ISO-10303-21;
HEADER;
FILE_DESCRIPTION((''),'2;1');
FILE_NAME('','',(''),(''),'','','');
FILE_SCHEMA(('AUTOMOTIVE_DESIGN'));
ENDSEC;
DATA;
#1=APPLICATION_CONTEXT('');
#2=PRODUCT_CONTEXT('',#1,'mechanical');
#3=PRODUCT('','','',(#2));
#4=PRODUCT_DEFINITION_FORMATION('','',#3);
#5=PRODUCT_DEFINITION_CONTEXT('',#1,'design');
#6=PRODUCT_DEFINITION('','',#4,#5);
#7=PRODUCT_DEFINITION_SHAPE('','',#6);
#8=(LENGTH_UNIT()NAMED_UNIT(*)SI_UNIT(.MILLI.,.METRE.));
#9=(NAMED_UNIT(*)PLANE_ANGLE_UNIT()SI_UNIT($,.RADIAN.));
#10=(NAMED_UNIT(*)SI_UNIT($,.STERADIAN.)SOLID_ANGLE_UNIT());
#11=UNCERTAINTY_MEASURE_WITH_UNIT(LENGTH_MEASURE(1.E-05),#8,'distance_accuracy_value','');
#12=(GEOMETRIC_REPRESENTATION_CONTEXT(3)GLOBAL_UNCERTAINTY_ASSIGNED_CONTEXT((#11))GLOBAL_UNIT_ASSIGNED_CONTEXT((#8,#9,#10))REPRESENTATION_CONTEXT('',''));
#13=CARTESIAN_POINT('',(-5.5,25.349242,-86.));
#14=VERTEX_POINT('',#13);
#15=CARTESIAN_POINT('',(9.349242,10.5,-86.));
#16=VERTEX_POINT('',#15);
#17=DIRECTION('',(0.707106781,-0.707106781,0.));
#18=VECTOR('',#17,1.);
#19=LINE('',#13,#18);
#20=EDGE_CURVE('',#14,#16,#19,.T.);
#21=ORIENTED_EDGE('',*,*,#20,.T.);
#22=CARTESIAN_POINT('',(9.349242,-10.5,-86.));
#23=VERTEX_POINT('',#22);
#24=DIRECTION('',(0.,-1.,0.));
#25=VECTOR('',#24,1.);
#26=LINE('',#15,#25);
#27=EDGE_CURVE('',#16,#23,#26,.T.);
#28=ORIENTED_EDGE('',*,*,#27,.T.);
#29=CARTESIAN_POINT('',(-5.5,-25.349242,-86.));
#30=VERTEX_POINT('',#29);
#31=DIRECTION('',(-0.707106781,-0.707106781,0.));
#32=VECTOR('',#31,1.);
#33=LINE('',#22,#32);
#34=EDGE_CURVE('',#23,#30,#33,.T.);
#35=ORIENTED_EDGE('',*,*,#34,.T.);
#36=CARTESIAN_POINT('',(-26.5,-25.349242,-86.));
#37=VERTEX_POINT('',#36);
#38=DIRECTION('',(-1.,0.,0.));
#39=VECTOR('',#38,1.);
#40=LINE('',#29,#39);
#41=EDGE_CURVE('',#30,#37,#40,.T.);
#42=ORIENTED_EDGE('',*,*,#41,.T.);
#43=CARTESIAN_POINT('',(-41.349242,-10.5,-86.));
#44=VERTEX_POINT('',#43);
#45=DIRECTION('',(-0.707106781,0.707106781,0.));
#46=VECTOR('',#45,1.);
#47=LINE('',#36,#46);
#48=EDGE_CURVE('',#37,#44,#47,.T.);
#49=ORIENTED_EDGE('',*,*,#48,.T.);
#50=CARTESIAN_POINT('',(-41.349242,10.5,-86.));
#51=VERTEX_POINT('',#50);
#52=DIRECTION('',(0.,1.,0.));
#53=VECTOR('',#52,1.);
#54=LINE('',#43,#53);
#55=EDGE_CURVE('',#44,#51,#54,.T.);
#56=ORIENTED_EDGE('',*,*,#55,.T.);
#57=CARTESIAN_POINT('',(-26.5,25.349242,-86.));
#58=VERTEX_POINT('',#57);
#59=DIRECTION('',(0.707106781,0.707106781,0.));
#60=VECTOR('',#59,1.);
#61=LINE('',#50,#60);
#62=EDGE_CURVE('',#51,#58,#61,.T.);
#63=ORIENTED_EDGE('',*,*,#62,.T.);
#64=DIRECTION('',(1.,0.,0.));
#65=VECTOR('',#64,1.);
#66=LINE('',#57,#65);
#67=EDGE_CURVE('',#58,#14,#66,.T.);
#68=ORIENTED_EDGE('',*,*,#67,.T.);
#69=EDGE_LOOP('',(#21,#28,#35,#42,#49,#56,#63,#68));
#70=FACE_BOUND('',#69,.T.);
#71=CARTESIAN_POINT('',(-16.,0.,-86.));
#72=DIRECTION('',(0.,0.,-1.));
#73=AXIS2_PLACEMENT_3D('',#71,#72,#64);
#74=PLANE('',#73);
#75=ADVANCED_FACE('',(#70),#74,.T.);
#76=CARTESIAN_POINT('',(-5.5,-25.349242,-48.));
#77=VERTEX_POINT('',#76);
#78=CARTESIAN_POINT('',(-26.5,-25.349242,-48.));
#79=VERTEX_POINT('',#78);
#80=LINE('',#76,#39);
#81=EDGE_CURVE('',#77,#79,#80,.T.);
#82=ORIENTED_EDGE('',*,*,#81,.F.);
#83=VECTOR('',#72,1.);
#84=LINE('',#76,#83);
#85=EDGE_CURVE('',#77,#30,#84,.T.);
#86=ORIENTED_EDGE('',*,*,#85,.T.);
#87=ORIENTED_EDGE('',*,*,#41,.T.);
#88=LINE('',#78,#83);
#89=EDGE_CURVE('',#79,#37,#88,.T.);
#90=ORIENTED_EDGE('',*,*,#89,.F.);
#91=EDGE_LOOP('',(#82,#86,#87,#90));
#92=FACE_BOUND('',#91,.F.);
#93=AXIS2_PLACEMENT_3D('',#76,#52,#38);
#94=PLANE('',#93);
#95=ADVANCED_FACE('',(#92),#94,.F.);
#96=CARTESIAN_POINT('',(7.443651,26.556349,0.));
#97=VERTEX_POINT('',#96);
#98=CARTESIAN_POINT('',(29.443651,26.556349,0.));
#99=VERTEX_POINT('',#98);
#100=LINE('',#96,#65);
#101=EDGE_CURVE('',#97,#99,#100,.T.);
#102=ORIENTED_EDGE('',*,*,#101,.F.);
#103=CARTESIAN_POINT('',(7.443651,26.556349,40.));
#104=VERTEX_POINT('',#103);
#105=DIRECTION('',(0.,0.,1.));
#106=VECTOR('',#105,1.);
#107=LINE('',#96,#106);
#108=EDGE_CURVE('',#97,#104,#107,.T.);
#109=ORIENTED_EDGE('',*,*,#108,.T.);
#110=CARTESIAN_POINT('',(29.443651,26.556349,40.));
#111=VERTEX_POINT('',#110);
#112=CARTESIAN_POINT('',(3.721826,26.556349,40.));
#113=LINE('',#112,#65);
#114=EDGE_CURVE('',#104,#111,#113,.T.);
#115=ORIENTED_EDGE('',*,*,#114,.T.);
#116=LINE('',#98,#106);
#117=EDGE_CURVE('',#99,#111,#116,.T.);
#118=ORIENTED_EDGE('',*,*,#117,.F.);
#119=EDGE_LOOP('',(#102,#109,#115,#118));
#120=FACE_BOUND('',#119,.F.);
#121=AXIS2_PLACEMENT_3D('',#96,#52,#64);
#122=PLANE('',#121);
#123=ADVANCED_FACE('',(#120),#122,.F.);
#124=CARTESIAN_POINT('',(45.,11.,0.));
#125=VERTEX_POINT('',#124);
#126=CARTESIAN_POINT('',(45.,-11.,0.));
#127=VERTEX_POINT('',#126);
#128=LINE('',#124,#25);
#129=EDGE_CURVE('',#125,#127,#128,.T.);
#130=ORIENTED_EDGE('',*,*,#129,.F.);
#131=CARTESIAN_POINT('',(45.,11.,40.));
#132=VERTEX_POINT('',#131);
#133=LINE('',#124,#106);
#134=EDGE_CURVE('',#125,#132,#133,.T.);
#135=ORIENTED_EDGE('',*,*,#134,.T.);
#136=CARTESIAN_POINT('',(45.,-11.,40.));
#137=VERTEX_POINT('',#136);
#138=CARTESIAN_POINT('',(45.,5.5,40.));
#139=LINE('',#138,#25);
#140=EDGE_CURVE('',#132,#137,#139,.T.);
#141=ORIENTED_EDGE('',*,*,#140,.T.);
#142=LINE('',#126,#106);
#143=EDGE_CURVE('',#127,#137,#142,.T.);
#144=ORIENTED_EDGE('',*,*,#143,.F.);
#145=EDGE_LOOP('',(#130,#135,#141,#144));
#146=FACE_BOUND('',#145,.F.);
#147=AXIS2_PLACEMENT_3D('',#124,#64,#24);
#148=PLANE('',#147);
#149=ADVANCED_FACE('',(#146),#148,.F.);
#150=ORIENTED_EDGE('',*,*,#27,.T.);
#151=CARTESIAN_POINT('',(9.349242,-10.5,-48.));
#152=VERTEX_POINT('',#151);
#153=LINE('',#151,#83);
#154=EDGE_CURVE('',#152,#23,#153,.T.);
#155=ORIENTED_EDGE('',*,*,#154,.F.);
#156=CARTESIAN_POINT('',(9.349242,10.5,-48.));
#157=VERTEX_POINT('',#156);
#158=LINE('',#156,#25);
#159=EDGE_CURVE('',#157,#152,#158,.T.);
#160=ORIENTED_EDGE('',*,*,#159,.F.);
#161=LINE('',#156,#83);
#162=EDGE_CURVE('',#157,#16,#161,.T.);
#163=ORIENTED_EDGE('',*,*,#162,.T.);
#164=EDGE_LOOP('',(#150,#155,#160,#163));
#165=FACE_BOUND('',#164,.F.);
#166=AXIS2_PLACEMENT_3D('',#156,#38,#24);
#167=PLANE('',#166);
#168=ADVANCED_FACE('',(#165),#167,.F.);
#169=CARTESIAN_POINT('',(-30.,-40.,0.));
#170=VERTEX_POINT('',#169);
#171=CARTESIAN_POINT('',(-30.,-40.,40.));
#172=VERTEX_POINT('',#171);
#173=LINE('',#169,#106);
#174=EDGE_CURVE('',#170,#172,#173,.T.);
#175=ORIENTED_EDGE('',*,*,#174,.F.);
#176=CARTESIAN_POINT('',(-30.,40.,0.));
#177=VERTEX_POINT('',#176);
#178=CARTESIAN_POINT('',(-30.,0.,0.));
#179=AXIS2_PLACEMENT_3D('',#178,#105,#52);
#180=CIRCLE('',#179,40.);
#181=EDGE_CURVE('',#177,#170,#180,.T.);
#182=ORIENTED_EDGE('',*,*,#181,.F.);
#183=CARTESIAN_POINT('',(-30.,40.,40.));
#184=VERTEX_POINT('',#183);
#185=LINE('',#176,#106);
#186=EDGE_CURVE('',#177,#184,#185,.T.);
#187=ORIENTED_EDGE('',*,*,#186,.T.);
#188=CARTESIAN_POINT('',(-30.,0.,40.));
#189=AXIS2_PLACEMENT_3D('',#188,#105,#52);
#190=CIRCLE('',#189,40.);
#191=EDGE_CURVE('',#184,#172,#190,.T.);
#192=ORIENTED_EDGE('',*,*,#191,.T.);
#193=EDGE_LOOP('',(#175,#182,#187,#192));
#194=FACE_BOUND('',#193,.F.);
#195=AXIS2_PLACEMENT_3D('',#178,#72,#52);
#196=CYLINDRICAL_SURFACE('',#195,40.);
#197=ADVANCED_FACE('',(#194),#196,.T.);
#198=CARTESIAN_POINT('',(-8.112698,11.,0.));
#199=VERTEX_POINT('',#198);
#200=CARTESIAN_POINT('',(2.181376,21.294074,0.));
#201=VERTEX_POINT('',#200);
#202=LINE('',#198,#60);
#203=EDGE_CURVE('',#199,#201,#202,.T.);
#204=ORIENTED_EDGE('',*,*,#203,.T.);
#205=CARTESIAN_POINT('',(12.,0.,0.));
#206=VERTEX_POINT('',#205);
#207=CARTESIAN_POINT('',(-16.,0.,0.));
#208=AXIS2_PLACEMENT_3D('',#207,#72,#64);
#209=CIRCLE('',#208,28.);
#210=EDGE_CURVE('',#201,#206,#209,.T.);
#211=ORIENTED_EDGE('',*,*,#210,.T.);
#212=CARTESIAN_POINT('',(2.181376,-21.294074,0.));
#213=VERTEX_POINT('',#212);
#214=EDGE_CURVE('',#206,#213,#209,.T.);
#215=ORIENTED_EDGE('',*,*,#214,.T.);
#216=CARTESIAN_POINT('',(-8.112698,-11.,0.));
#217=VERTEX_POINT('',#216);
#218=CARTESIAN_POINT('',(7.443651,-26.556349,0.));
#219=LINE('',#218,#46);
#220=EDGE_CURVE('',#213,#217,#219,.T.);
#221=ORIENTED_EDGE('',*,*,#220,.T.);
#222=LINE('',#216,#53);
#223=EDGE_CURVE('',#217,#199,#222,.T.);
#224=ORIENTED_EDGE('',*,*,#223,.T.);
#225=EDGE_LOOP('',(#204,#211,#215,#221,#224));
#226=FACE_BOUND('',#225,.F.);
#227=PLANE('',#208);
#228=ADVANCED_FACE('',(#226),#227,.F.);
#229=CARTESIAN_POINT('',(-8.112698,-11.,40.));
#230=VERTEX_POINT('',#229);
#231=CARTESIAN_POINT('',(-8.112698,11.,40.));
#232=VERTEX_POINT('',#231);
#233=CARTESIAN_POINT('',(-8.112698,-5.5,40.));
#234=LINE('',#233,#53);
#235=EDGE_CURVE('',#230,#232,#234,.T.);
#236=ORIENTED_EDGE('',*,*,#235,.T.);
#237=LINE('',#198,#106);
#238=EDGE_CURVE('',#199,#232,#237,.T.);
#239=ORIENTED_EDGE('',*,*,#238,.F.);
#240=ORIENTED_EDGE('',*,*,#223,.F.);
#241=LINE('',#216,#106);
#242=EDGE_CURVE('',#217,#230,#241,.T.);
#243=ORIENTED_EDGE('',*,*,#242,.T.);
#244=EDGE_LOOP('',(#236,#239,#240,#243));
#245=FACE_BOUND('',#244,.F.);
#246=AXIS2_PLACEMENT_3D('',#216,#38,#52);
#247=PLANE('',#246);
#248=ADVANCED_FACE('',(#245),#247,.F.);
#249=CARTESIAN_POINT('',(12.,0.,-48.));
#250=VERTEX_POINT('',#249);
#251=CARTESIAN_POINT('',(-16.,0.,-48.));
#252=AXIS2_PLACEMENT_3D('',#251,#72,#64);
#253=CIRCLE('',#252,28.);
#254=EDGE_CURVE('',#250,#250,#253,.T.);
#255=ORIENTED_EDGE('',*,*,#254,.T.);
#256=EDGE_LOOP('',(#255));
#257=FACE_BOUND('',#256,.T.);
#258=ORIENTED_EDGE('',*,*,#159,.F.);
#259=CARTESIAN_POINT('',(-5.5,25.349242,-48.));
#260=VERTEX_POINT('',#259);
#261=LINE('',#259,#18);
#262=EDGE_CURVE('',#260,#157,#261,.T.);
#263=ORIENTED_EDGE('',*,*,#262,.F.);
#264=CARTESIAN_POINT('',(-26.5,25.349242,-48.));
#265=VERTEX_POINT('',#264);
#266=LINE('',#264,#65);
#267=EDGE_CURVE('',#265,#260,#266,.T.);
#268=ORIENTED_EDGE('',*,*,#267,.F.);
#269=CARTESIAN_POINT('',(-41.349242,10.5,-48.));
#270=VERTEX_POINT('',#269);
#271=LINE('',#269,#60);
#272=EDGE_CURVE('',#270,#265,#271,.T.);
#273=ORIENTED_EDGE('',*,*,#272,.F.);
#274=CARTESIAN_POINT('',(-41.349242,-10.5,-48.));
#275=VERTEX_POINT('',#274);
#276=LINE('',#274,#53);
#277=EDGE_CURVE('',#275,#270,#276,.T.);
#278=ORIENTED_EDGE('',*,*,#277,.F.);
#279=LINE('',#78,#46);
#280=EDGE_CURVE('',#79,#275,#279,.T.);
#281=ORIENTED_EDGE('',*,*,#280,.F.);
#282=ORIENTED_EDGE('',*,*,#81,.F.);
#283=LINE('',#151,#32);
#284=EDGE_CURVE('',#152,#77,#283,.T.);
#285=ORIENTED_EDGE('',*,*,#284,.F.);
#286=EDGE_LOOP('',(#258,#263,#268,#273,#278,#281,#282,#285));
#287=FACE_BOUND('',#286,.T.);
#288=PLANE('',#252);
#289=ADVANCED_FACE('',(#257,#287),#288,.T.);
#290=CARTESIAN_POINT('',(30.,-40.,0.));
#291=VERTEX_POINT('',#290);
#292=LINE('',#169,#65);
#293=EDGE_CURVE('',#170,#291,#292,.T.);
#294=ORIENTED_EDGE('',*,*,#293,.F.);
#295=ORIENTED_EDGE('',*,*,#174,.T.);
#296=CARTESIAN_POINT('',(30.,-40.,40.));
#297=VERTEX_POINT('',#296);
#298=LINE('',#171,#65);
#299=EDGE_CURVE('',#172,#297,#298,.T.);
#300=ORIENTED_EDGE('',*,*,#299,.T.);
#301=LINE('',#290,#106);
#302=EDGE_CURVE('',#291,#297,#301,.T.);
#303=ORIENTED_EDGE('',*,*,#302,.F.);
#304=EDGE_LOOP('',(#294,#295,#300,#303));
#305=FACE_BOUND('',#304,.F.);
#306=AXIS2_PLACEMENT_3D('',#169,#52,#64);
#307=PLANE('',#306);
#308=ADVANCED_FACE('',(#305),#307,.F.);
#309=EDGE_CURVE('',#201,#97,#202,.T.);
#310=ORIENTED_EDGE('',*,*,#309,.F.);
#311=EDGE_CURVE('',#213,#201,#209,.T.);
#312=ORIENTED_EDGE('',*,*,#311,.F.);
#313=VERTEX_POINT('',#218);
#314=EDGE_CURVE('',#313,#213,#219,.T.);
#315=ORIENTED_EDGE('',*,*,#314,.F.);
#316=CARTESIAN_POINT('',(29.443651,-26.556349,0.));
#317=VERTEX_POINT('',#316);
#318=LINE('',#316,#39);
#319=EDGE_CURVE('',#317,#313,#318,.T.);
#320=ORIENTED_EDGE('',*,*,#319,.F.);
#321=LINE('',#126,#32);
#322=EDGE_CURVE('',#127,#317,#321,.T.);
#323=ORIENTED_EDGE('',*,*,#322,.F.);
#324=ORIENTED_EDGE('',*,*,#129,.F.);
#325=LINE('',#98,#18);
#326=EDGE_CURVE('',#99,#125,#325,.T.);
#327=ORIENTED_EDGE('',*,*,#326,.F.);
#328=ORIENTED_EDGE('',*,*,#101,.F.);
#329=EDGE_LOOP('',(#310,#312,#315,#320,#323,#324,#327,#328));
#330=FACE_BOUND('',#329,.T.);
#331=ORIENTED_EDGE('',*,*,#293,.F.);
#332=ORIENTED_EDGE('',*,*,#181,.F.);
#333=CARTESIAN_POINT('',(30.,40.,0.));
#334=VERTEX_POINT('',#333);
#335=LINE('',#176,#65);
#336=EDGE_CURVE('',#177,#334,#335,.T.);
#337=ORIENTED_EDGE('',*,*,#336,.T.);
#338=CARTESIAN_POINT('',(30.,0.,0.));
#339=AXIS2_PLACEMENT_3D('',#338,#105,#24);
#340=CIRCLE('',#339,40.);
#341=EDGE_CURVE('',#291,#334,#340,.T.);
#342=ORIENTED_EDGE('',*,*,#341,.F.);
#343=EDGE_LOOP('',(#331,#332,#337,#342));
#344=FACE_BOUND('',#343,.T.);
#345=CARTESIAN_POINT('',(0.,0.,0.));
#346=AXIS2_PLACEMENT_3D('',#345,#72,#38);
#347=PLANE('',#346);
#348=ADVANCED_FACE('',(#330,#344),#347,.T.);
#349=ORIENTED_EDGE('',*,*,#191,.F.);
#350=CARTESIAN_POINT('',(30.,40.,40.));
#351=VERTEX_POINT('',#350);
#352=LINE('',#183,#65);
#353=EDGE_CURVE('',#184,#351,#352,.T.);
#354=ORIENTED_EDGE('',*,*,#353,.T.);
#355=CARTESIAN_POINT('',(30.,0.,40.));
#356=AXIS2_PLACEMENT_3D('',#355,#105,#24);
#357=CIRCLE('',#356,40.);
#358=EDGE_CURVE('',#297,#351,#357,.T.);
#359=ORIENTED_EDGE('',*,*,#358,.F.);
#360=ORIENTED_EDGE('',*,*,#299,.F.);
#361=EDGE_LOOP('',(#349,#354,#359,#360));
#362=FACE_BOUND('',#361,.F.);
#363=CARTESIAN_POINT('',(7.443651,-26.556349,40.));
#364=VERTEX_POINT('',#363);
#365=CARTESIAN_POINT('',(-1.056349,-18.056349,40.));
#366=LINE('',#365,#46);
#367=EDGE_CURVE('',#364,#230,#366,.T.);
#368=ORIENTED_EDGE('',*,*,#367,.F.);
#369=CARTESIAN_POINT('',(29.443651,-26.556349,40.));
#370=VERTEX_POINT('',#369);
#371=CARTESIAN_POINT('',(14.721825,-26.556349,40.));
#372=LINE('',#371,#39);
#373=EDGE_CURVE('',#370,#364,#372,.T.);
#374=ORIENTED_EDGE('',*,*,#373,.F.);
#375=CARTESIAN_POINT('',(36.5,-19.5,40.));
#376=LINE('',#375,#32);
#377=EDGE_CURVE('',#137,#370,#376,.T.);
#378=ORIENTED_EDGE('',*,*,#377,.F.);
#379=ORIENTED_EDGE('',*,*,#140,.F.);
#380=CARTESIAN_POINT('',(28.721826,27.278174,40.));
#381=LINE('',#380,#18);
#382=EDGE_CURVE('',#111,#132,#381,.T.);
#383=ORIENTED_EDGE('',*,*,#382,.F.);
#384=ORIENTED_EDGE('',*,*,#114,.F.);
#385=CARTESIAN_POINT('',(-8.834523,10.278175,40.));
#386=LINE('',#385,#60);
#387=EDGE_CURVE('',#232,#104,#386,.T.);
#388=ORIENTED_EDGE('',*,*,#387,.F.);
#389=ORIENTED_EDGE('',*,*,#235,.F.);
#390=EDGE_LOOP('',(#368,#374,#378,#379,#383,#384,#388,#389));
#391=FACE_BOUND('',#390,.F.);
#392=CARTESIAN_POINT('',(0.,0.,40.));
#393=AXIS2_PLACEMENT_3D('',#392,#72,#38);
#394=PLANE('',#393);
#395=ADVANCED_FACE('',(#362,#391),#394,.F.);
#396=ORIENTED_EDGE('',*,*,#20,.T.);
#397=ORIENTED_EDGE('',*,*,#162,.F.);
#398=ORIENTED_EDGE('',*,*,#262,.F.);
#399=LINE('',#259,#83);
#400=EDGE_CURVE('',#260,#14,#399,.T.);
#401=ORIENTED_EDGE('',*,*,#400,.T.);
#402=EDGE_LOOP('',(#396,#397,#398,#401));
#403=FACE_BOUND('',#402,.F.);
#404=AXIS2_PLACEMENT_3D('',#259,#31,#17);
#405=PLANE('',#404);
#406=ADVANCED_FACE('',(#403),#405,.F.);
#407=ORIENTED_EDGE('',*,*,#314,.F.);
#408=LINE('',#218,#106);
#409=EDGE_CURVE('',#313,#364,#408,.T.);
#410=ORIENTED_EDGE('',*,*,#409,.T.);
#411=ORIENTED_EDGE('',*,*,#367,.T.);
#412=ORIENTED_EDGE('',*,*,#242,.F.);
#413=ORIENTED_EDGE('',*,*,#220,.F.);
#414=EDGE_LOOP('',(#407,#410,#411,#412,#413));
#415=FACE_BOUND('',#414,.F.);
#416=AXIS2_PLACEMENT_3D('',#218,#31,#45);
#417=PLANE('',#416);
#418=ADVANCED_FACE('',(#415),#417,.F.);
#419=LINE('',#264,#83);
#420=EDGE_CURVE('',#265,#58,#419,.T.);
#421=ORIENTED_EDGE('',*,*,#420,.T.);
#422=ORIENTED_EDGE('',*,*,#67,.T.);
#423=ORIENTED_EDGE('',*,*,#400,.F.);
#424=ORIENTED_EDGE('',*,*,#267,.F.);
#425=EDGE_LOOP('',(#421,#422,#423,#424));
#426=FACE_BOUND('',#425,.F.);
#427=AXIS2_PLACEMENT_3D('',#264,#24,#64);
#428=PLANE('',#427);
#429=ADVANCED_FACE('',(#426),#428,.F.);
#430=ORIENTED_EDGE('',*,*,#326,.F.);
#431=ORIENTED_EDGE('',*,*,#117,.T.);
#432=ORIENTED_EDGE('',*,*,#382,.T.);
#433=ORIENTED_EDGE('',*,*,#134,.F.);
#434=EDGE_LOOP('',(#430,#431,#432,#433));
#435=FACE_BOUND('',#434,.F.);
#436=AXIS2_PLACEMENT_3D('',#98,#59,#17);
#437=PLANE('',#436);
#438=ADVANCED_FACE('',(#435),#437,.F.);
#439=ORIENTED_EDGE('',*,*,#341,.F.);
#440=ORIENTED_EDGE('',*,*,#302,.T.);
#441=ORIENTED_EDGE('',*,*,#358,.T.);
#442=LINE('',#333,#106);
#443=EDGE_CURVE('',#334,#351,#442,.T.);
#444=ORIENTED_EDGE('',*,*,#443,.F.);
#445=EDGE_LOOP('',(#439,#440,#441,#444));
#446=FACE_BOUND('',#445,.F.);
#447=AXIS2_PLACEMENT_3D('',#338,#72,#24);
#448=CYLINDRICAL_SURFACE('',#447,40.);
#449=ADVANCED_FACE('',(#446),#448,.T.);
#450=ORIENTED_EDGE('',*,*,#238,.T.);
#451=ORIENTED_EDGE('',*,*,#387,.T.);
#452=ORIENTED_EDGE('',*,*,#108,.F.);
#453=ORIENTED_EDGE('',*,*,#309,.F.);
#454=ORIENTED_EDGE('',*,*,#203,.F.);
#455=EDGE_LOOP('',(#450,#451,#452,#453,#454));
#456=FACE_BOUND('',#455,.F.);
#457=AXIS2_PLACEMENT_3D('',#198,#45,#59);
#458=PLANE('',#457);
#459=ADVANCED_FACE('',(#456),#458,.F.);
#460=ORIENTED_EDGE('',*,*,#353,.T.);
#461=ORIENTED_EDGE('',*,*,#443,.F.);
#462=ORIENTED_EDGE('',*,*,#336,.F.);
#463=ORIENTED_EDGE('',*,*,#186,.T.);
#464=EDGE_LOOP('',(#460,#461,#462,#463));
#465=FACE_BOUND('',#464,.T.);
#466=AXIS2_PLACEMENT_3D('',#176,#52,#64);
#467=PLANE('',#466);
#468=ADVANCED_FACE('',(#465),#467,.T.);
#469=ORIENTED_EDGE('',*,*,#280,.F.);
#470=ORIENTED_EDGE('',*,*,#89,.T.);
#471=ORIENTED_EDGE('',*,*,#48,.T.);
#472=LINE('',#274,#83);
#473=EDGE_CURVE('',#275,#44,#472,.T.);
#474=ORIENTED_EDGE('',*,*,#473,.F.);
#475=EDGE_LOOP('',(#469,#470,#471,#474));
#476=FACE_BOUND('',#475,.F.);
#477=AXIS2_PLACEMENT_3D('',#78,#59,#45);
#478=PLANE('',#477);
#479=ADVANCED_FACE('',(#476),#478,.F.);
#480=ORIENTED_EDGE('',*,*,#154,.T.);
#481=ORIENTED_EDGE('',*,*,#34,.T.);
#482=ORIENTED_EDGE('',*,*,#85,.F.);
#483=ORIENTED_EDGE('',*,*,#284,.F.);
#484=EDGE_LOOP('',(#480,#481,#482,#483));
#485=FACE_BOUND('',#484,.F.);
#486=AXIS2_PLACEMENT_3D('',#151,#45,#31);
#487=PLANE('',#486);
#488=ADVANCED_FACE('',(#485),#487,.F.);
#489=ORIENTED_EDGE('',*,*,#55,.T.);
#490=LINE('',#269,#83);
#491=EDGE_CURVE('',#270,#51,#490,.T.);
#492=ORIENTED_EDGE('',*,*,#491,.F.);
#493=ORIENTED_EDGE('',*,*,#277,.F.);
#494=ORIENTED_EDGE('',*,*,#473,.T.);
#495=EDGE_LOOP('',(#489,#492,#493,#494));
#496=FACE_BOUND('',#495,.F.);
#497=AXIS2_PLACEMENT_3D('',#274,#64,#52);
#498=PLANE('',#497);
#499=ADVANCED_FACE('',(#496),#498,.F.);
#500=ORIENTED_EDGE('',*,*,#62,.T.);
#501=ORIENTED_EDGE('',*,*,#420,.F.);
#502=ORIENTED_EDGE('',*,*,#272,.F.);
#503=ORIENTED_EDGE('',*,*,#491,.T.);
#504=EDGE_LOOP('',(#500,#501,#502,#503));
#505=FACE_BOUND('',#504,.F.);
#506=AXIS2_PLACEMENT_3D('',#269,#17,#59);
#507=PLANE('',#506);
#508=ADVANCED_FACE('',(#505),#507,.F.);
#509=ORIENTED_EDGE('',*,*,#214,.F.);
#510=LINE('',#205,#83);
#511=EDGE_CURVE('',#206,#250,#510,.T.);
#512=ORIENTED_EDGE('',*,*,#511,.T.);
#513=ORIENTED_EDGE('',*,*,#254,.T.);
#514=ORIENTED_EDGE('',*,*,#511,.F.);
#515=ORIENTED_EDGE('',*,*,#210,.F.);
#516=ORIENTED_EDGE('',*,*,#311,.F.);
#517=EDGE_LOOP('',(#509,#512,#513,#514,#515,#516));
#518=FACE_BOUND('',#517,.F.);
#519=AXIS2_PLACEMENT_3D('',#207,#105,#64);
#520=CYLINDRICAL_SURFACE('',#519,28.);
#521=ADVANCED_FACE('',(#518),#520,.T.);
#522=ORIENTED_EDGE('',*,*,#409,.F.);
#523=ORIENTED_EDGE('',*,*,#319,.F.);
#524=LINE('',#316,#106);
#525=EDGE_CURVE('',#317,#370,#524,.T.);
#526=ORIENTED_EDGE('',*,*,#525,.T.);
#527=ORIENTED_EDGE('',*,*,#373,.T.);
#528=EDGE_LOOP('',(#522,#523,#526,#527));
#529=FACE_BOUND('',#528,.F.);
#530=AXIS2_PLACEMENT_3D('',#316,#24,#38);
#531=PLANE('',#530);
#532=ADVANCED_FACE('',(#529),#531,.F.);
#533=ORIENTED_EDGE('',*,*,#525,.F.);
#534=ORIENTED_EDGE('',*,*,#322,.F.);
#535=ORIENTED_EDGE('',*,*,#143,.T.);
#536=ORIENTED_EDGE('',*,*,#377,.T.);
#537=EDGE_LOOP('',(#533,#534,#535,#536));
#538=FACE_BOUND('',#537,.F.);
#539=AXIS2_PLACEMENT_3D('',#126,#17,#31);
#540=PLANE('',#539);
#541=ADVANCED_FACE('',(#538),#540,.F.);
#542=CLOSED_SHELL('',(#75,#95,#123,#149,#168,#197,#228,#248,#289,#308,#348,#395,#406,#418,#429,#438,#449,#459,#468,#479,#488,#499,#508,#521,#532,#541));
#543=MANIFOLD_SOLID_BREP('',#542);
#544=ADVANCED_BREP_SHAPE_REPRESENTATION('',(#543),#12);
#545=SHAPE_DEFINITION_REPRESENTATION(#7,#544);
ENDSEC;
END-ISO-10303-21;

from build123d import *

# Parameters (mm, degrees)
PAD_DEPTH    = 40
POCKET_DEPTH = 100
SKETCH002_R  = 28
PAD001_DEPTH = 48
PAD002_DEPTH = 38


with BuildPart() as part:
    # Sketch → Pad (new body)
    with BuildSketch(Plane.XY):
        with BuildLine():
            Line((-30, 40), (30, 40))
            ThreePointArc((30, -40), (70, 0), (30, 40))
            Line((-30, -40), (30, -40))
            ThreePointArc((-30, 40), (-70, 0), (-30, -40))
        make_face()
    extrude(amount=PAD_DEPTH)

    # Sketch001 (on DatumPlane) → Pocket (cut)
    with BuildSketch(Plane(origin=(0, 0, 0), x_dir=(1, 0, 0), z_dir=(0, 0, -1))):
        Polygon((29.443651, -26.556349), (45, -11), (45, 11), (29.443651, 26.556349), (7.443651, 26.556349), (-8.112698, 11), (-8.112698, -11), (7.443651, -26.556349), align=None)
    extrude(amount=-POCKET_DEPTH, mode=Mode.SUBTRACT)

    # Sketch002 (on DatumPlane) → Pad001 (join)
    with BuildSketch(Plane(origin=(0, 0, 0), x_dir=(1, 0, 0), z_dir=(0, 0, -1))):
        with Locations((-16, 0)):
            Circle(SKETCH002_R)
    extrude(amount=PAD001_DEPTH)

    # Sketch003 (on DatumPlane) → Pad002 (join)
    with BuildSketch(Plane(origin=(0, 0, -48), x_dir=(1, 0, 0), z_dir=(0, 0, -1))):
        Polygon((-5.5, -25.349242), (9.349242, -10.5), (9.349242, 10.5), (-5.5, 25.349242), (-26.5, 25.349242), (-41.349242, 10.5), (-41.349242, -10.5), (-26.5, -25.349242), align=None)
    extrude(amount=PAD002_DEPTH)


solid = part.part
